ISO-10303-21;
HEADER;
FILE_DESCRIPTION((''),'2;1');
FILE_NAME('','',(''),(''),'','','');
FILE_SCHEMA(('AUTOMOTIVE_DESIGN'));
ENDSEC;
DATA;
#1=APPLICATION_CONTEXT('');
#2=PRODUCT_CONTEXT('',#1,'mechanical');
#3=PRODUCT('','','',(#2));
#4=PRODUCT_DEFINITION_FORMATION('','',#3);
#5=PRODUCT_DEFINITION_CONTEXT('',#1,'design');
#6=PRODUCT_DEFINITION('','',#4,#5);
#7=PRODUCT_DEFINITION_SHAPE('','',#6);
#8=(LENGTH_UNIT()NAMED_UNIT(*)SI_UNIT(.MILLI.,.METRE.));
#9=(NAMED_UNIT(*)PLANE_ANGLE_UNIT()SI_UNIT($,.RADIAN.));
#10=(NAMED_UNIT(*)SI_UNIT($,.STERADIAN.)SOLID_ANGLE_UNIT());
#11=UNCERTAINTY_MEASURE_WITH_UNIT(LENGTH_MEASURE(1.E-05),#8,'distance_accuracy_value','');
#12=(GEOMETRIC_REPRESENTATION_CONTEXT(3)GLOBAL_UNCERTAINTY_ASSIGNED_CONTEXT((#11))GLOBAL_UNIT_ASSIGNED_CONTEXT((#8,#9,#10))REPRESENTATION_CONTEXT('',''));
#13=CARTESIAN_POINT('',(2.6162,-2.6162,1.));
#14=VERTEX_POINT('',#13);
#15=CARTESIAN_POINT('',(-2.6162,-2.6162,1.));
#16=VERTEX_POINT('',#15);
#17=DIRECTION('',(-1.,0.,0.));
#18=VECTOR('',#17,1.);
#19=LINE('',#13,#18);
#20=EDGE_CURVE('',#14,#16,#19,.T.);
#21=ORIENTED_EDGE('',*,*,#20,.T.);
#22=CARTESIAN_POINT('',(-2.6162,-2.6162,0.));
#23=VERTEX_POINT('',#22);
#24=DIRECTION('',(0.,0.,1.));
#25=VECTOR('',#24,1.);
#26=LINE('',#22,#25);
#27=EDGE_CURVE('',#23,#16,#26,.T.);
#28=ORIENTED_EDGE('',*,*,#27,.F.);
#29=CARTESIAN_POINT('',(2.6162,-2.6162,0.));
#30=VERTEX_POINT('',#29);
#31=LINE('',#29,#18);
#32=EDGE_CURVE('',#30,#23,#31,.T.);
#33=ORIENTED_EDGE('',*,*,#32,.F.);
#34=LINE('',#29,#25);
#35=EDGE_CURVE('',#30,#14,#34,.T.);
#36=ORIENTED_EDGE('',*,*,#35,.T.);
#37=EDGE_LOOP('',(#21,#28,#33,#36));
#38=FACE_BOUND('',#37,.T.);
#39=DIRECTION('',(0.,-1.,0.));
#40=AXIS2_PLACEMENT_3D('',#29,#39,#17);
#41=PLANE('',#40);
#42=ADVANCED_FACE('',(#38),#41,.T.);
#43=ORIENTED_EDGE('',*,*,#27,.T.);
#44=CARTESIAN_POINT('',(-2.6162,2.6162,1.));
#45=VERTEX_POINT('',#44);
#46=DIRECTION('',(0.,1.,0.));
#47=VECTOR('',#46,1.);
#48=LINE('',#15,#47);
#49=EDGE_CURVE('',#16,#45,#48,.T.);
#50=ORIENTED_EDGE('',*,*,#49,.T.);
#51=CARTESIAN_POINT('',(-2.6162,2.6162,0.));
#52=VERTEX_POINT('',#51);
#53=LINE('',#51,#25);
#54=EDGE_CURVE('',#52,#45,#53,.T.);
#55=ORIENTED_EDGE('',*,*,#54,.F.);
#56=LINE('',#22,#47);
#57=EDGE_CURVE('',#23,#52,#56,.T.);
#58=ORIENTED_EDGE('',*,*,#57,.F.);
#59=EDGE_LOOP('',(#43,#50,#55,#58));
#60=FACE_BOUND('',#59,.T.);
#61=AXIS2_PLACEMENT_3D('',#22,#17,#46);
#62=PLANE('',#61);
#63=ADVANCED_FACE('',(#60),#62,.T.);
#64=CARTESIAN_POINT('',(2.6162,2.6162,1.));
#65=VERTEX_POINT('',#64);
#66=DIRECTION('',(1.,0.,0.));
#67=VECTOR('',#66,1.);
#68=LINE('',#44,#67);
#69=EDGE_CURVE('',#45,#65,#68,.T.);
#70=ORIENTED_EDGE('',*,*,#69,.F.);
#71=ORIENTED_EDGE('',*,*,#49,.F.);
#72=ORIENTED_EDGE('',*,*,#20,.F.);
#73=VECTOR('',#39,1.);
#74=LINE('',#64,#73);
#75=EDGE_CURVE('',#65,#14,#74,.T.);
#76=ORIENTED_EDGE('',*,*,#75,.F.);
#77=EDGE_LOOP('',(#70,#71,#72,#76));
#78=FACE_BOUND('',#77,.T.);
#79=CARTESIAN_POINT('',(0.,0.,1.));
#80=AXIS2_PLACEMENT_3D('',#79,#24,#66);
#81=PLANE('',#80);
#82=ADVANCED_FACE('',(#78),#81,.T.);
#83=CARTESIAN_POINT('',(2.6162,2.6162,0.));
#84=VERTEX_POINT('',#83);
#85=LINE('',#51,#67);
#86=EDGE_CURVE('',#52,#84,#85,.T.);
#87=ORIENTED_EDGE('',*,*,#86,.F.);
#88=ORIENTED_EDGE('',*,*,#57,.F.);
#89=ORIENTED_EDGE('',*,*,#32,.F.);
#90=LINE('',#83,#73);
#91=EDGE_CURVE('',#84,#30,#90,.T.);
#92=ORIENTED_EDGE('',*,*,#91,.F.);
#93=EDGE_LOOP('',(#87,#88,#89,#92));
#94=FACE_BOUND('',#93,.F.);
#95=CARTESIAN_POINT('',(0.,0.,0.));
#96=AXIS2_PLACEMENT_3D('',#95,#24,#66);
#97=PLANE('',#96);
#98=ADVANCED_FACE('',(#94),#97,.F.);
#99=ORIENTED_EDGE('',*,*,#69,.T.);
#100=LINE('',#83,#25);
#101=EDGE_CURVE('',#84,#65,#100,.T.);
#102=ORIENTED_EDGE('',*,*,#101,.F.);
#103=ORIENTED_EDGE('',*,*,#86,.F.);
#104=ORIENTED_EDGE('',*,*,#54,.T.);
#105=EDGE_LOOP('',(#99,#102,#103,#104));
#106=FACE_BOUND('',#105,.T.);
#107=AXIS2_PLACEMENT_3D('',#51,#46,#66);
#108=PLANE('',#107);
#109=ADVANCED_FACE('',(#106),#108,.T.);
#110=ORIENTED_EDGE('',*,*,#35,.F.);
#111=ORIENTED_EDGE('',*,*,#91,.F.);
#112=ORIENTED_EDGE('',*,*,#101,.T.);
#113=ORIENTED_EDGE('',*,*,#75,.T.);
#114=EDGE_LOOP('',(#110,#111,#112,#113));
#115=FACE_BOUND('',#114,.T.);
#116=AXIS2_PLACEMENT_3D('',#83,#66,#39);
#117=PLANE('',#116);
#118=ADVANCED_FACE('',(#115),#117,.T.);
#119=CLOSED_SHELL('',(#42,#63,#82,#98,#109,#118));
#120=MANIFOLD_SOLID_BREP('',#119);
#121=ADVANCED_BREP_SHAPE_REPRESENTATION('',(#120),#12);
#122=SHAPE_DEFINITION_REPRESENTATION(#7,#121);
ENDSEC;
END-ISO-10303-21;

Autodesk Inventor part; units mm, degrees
ref_plane "YZ Plane" through (0, 0, 0) normal (1, 0, 0) x (0, 1, 0)
ref_plane "XZ Plane" through (0, 0, 0) normal (0, 1, 0) x (-1, 0, 0)
ref_plane "XY Plane" through (0, 0, 0) normal (0, 0, 1) x (1, 0, 0)
sketch "E2-5, E2-5_1" plane through (0, 0, 0) normal (0, 0, 1) x (1, 0, 0)
  line L0 (-2.6162, 2.6162) -> (2.6162, 2.6162)
  line L1 (2.6162, 2.6162) -> (2.6162, -2.6162)
  line L2 (2.6162, -2.6162) -> (-2.6162, -2.6162)
  line L3 (-2.6162, -2.6162) -> (-2.6162, 2.6162)
extrude "Extrusion1" add sketch "E2-5, E2-5_1" along normal blind 1
properties part number "E2-5"
